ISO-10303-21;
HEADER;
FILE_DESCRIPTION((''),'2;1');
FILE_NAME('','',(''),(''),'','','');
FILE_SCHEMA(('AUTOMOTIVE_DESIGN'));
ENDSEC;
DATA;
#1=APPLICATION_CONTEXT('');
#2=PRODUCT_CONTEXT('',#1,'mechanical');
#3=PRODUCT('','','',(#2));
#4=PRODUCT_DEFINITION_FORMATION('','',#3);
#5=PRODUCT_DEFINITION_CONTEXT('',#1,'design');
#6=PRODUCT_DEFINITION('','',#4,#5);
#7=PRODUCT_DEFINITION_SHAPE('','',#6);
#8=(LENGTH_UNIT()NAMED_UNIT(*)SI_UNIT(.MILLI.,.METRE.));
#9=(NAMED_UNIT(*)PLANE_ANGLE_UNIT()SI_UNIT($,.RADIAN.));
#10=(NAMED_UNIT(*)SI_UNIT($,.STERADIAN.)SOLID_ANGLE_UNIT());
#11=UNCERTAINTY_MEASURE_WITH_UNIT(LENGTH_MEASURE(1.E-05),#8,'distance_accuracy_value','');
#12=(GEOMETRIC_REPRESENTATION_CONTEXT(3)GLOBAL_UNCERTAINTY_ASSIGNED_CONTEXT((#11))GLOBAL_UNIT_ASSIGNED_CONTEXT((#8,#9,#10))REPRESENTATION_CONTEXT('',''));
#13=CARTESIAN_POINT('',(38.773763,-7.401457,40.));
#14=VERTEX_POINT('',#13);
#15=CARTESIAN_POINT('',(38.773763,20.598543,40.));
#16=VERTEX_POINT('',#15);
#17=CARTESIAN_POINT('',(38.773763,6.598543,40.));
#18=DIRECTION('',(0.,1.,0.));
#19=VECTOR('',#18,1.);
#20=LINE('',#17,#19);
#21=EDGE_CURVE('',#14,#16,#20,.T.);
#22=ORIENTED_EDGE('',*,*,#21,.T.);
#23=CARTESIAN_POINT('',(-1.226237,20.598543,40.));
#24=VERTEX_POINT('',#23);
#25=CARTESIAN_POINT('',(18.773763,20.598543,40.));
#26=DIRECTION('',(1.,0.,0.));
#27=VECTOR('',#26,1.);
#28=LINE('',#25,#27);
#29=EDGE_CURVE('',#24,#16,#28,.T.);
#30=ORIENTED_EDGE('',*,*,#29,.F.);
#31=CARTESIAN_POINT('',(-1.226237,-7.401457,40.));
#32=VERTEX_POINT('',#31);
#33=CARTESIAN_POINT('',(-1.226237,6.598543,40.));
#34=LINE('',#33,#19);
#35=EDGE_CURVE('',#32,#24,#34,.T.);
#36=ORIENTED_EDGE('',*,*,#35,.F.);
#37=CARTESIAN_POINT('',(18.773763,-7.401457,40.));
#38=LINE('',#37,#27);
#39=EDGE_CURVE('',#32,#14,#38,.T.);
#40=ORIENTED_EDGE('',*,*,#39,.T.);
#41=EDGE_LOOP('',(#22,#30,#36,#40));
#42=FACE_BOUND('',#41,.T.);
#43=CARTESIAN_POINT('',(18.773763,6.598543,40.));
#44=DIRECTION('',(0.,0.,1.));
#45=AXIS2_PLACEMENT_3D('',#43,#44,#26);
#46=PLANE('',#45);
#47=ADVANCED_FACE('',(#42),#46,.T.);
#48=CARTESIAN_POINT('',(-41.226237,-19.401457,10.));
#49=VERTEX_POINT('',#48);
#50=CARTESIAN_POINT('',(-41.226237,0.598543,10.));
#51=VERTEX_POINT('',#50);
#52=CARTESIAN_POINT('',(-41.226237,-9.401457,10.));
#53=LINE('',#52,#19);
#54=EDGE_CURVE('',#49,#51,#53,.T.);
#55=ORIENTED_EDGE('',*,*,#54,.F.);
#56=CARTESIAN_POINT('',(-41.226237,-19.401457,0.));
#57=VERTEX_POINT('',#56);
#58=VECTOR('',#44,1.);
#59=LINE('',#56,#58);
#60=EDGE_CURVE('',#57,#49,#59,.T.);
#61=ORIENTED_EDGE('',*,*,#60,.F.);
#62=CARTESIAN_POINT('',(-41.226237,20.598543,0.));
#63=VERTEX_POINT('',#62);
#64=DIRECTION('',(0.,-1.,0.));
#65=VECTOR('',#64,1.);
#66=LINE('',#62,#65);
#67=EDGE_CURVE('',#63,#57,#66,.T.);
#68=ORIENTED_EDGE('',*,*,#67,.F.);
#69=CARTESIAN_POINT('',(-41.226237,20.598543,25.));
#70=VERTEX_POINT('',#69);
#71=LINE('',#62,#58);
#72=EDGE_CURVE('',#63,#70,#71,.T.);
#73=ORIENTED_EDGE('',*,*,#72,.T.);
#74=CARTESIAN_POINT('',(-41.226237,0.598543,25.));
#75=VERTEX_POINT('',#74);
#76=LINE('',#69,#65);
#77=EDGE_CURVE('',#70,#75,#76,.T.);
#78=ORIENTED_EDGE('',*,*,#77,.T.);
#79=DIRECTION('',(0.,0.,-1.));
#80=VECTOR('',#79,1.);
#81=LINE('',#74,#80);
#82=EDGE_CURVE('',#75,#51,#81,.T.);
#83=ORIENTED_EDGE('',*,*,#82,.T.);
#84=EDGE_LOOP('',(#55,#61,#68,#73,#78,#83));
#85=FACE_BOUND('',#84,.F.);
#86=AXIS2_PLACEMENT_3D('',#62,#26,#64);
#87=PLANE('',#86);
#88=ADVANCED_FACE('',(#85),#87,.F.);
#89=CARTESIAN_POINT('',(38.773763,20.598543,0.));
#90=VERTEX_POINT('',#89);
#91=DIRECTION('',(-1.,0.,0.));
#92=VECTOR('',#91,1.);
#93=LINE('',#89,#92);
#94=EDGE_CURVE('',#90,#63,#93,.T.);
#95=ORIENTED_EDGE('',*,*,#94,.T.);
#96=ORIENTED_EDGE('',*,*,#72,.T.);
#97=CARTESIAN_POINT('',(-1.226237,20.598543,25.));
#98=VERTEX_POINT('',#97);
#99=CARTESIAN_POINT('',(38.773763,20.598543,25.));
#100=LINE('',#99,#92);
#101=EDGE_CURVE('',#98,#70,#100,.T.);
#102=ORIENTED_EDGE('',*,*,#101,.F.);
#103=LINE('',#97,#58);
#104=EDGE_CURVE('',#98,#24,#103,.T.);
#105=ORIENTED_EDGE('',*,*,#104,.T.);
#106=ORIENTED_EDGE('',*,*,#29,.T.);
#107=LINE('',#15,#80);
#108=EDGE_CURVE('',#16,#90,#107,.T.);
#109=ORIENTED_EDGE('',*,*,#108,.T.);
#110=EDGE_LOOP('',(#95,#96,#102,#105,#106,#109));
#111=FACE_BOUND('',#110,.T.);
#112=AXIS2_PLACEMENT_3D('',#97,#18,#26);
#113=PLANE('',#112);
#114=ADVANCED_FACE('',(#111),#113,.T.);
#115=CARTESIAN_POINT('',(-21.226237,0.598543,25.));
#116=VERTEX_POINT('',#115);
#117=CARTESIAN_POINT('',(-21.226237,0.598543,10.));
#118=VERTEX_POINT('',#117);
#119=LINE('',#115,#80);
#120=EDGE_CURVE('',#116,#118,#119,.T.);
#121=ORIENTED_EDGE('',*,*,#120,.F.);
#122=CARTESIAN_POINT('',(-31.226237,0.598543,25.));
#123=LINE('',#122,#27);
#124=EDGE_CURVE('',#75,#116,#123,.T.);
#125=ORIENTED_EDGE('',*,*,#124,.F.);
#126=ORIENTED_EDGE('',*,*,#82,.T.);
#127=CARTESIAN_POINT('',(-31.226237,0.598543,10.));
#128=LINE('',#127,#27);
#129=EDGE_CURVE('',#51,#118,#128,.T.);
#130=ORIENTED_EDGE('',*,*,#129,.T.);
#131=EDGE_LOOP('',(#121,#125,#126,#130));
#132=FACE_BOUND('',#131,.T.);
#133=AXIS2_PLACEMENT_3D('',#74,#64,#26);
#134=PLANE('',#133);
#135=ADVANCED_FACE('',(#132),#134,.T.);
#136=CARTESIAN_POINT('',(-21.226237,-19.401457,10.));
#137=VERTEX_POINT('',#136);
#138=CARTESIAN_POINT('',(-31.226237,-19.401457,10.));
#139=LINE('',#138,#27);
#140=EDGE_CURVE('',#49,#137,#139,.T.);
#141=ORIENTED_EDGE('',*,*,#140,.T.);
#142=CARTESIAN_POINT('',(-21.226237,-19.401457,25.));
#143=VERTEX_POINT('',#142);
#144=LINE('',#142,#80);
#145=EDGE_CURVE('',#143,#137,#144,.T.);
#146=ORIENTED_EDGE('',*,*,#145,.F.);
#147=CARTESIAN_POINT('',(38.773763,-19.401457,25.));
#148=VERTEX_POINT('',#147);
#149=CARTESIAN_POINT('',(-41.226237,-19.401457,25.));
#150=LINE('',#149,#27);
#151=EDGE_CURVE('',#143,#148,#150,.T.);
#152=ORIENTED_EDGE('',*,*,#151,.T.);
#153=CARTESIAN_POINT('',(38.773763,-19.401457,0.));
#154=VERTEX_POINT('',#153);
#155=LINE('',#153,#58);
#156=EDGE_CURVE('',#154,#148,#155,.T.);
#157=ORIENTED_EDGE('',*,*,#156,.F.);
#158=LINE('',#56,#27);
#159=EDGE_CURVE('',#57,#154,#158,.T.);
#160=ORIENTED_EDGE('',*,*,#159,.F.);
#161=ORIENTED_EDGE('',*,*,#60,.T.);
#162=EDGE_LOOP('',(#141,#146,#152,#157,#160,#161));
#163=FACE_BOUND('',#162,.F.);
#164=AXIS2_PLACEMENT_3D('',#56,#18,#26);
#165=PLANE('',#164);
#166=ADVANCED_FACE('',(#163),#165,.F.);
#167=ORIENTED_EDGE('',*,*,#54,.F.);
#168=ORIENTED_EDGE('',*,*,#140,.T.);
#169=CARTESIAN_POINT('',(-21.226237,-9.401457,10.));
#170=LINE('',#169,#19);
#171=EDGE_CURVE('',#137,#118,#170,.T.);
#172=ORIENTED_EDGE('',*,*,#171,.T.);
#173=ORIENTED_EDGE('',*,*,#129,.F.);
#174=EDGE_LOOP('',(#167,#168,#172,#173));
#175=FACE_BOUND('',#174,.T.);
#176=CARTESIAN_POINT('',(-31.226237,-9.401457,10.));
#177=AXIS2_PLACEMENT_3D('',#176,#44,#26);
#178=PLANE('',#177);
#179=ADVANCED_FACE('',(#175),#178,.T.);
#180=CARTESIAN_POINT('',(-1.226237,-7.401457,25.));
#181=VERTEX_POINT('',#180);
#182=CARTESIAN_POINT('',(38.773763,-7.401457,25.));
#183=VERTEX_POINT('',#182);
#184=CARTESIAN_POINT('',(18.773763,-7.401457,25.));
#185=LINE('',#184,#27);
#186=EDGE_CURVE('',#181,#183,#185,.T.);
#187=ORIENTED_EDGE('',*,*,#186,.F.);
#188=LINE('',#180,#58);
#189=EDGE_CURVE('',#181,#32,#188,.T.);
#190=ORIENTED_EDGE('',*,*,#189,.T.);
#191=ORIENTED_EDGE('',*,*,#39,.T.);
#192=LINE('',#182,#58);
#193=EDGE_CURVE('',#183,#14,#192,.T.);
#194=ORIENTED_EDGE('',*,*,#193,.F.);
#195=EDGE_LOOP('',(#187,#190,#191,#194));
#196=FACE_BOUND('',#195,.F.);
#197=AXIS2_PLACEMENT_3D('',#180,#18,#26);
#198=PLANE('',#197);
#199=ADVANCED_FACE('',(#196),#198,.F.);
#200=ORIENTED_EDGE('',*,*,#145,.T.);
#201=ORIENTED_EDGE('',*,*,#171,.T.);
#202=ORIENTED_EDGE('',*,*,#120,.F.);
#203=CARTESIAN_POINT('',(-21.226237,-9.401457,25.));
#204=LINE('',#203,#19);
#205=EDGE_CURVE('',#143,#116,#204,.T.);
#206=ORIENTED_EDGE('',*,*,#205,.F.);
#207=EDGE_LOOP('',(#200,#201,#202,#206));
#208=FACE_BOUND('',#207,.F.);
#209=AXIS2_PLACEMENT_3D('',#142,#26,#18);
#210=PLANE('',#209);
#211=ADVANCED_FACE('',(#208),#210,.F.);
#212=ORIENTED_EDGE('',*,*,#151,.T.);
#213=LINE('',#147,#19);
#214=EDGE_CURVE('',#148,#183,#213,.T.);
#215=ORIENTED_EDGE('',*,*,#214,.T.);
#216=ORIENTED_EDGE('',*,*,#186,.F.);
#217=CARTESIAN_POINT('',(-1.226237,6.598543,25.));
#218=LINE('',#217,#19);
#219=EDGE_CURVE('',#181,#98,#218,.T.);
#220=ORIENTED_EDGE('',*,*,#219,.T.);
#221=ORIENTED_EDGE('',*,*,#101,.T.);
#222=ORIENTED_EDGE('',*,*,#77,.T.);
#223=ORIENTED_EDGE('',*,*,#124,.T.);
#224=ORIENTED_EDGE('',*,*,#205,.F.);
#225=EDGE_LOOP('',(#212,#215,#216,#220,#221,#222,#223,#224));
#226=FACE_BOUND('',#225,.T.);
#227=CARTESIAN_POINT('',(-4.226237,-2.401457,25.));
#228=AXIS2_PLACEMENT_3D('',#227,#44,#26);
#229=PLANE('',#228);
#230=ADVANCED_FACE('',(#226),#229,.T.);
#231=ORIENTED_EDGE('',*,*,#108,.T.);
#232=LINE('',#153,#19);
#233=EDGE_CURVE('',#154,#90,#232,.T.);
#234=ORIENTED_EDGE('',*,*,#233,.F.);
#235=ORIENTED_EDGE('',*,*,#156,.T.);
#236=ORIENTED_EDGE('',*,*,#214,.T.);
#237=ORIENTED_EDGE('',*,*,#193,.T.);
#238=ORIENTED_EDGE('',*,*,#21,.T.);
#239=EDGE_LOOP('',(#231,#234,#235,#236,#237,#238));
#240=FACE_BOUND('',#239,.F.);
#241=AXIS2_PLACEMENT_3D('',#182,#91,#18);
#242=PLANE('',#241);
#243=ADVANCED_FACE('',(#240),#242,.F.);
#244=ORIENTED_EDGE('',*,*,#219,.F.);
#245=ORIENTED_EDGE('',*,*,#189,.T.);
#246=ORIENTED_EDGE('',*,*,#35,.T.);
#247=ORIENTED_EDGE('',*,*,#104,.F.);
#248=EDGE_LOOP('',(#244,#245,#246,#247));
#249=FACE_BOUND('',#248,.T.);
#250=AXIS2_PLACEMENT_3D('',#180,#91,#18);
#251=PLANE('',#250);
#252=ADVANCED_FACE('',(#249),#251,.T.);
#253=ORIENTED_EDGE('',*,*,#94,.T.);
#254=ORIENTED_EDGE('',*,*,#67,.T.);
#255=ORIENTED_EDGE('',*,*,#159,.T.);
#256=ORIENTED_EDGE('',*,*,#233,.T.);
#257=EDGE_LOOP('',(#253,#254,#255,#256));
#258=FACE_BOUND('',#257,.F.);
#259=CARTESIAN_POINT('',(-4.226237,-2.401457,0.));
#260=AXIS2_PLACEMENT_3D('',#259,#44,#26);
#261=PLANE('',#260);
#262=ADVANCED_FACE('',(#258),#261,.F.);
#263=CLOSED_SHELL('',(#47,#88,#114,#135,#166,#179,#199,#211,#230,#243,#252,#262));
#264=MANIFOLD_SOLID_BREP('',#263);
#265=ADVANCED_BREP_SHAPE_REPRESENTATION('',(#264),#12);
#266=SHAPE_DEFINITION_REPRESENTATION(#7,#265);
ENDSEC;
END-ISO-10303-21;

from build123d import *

# Parameters (mm, degrees)
F0_W     = 40
F0_H     = 28
F0_W_2   = 20
F0_H_2   = 20
F1_DEPTH = 25
F2_W     = 20
F2_H     = 20
F3_DEPTH = 15
F4_W     = 40
F4_H     = 28
F5_DEPTH = 15


with BuildPart() as f1:
    # F0 (on Top) → F1 (new body)
    with BuildSketch(Plane.XY):
        Polygon((-1.226237, 20.598543), (-41.226237, 20.598543), (-41.226237, 0.598543), (-21.226237, 0.598543), (-21.226237, -19.401457), (38.773763, -19.401457), (38.773763, -7.401457), (-1.226237, -7.401457), align=None)
        with Locations((18.773763, 6.598543)):
            Rectangle(F0_W, F0_H)
        with Locations((-31.226237, -9.401457)):
            Rectangle(F0_W_2, F0_H_2)
    extrude(amount=F1_DEPTH)

    # F2 (on face) → F3 (cut)
    with BuildSketch(Plane.XY.offset(25)):
        with Locations((-31.226237, -9.401457)):
            Rectangle(F2_W, F2_H)
    extrude(amount=-F3_DEPTH, mode=Mode.SUBTRACT)

    # F4 (on face) → F5 (join)
    with BuildSketch(Plane.XY.offset(25)):
        with Locations((18.773763, 6.598543)):
            Rectangle(F4_W, F4_H)
    extrude(amount=F5_DEPTH)


solid = f1.part
